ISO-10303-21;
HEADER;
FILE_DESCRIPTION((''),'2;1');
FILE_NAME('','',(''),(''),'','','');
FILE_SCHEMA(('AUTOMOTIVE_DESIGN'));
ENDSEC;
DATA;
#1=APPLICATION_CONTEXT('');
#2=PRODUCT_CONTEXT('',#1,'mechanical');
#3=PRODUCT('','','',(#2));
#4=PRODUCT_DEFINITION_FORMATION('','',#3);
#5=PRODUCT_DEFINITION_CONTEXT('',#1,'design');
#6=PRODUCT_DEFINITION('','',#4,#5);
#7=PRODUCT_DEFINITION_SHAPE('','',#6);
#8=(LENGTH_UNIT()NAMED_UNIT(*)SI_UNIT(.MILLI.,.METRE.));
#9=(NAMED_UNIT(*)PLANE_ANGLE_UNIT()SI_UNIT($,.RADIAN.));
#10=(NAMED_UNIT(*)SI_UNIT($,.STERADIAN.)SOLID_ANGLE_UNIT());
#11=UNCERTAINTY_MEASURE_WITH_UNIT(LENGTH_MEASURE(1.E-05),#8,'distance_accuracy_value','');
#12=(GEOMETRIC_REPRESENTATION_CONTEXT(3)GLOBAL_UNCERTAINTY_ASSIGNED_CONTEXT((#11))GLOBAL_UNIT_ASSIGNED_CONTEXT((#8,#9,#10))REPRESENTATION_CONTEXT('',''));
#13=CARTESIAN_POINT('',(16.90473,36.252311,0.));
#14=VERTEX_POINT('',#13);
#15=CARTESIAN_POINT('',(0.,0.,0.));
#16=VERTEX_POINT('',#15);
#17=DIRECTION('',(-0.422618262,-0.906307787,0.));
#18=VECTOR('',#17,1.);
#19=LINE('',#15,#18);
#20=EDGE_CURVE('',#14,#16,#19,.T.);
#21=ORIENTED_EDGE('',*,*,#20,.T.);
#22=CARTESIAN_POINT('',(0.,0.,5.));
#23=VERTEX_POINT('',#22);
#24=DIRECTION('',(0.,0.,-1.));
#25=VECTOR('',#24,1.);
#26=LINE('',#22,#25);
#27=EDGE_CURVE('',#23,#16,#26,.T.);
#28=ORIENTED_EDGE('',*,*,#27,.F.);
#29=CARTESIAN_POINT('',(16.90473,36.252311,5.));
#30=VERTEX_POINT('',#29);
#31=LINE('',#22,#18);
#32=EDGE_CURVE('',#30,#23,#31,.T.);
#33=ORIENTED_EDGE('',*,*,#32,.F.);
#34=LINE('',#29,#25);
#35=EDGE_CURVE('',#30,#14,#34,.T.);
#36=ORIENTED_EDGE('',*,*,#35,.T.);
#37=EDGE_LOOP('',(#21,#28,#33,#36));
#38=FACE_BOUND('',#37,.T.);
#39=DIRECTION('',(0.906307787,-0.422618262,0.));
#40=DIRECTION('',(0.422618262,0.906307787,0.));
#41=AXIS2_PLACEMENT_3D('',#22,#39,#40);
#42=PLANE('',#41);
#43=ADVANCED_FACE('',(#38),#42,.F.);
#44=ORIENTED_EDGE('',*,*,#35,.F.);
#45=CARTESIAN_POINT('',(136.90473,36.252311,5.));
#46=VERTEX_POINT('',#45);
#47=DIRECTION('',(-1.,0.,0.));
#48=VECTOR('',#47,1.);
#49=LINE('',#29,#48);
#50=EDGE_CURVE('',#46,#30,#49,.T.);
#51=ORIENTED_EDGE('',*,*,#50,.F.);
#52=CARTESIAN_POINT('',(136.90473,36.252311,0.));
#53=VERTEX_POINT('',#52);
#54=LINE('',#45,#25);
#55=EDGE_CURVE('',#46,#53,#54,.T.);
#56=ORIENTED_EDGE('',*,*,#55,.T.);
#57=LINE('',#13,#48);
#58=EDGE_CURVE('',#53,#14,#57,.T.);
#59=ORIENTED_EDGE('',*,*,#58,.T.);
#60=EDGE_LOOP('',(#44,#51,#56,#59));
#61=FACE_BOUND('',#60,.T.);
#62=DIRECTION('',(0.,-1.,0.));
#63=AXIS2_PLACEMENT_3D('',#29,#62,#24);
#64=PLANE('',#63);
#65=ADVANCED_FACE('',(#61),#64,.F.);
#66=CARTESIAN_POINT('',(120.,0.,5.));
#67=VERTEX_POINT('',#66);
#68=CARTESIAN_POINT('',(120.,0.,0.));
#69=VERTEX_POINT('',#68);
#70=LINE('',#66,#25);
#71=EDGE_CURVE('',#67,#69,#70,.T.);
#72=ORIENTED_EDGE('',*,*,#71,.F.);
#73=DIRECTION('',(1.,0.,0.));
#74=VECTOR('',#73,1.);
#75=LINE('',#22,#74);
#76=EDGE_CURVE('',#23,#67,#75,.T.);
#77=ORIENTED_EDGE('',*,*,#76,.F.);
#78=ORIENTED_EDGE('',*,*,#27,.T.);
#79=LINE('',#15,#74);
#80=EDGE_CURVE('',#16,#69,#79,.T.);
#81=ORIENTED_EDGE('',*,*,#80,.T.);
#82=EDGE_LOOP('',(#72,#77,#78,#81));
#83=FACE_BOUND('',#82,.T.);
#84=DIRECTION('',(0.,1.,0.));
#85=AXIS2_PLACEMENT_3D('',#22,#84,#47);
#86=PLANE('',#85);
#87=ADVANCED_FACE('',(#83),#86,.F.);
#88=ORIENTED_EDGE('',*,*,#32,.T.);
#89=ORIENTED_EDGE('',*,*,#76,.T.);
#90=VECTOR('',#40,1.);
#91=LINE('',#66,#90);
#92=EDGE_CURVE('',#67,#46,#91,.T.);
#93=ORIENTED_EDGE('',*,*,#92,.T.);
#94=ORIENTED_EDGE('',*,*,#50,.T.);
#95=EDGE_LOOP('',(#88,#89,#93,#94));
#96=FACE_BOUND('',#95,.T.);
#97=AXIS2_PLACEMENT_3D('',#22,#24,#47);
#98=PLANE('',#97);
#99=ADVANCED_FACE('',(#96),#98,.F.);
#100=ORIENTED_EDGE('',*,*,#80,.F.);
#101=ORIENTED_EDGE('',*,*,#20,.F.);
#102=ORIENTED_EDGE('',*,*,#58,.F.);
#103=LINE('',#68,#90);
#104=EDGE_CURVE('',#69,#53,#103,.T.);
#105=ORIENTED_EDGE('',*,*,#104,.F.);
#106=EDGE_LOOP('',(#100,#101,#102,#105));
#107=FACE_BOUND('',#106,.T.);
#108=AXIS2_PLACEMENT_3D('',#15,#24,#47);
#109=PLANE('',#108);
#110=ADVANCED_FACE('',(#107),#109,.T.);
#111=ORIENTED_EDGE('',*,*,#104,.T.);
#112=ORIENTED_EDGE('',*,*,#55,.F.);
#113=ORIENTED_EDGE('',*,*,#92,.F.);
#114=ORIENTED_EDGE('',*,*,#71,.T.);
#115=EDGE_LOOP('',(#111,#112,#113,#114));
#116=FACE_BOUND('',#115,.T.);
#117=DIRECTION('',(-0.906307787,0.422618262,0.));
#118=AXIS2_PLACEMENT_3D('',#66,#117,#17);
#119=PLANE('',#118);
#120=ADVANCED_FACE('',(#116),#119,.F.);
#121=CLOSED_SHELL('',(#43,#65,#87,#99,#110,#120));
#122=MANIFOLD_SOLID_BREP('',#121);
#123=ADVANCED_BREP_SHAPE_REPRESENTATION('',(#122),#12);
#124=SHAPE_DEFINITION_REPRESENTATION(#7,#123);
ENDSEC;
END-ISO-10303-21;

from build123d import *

# Parameters (mm, degrees)
BOSS_EXTRUDE1_DEPTH = 5


with BuildPart() as part:
    # Sketch1 → Boss-Extrude1 (new body)
    with BuildSketch(Plane.XY):
        Polygon((0, 0), (120, 0), (136.90473047, 36.252311481), (16.90473047, 36.252311481), align=None)
    extrude(amount=BOSS_EXTRUDE1_DEPTH)


solid = part.part
